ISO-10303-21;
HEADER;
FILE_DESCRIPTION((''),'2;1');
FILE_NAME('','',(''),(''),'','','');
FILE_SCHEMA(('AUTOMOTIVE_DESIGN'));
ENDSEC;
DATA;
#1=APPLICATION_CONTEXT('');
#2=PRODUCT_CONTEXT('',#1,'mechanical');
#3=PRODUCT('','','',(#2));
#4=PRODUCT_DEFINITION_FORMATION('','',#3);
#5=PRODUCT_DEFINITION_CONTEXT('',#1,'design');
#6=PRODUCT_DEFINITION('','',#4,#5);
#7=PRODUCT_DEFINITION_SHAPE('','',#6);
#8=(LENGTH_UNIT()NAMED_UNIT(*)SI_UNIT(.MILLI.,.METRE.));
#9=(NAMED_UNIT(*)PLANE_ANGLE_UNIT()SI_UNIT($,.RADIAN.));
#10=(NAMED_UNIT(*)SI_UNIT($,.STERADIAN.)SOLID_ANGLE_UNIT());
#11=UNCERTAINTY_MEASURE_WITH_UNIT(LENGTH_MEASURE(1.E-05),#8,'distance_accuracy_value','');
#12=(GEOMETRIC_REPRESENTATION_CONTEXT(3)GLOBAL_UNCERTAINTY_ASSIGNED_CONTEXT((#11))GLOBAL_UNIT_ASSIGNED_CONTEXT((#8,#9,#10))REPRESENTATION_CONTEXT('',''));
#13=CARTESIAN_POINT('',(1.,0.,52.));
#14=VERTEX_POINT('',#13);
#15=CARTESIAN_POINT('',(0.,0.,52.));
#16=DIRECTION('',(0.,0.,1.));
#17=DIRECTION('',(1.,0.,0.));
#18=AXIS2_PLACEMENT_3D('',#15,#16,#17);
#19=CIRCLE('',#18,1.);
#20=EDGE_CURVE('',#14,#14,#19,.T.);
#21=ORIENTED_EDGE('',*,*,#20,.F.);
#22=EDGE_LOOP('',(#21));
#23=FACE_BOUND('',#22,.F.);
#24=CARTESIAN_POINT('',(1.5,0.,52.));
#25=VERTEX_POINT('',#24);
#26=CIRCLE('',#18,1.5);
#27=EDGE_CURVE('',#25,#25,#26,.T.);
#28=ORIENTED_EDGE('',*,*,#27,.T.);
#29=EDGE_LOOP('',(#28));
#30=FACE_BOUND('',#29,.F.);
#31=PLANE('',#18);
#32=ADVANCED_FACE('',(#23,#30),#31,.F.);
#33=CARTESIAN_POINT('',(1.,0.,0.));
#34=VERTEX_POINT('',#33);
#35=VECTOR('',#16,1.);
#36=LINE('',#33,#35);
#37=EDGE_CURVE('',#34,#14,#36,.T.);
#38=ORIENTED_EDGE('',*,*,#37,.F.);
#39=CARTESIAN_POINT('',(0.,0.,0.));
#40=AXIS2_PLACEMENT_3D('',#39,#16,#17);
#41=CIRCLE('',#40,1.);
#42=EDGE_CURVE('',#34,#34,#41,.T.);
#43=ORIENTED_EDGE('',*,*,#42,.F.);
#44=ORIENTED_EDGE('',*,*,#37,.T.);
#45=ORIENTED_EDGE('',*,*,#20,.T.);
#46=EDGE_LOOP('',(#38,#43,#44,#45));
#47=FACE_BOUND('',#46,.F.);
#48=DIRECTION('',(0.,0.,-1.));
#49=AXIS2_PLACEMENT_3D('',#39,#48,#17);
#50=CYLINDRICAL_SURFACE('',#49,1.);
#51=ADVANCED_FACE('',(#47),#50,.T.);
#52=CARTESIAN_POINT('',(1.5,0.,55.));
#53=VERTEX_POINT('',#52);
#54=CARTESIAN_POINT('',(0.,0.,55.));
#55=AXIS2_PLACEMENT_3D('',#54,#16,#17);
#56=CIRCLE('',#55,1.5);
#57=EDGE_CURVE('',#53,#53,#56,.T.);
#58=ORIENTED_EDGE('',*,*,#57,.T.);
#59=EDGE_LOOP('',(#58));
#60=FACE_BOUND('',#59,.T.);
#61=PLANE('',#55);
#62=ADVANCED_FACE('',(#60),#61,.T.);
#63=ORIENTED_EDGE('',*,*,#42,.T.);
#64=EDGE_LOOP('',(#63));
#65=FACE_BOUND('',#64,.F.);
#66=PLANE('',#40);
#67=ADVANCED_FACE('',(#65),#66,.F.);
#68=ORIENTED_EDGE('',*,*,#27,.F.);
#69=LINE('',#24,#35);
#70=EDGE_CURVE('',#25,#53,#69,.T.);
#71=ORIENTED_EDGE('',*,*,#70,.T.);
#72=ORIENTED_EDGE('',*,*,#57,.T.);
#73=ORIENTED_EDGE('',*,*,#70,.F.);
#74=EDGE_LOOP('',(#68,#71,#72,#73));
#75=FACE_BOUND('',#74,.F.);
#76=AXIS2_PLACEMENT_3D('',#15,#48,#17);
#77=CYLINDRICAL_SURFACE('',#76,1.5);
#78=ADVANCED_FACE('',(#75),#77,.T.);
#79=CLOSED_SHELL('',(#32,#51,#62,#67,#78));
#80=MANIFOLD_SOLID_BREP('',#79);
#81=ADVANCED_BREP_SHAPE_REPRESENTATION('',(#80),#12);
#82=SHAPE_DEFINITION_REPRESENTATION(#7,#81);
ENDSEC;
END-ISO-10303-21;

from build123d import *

# Parameters (mm, degrees)
F0_R     = 1
F1_DEPTH = 52
F2_R     = 1.5
F2_R_2   = 1
F3_DEPTH = 3


with BuildPart() as f1:
    # F0 (on Top) → F1 (new body)
    with BuildSketch(Plane.XY):
        Circle(F0_R)
    extrude(amount=F1_DEPTH)

    # F2 (on face) → F3 (join)
    with BuildSketch(Plane.XY.offset(52)):
        Circle(F2_R)
        Circle(F2_R_2, mode=Mode.SUBTRACT)
        Circle(F2_R_2)
    extrude(amount=F3_DEPTH)


solid = f1.part
